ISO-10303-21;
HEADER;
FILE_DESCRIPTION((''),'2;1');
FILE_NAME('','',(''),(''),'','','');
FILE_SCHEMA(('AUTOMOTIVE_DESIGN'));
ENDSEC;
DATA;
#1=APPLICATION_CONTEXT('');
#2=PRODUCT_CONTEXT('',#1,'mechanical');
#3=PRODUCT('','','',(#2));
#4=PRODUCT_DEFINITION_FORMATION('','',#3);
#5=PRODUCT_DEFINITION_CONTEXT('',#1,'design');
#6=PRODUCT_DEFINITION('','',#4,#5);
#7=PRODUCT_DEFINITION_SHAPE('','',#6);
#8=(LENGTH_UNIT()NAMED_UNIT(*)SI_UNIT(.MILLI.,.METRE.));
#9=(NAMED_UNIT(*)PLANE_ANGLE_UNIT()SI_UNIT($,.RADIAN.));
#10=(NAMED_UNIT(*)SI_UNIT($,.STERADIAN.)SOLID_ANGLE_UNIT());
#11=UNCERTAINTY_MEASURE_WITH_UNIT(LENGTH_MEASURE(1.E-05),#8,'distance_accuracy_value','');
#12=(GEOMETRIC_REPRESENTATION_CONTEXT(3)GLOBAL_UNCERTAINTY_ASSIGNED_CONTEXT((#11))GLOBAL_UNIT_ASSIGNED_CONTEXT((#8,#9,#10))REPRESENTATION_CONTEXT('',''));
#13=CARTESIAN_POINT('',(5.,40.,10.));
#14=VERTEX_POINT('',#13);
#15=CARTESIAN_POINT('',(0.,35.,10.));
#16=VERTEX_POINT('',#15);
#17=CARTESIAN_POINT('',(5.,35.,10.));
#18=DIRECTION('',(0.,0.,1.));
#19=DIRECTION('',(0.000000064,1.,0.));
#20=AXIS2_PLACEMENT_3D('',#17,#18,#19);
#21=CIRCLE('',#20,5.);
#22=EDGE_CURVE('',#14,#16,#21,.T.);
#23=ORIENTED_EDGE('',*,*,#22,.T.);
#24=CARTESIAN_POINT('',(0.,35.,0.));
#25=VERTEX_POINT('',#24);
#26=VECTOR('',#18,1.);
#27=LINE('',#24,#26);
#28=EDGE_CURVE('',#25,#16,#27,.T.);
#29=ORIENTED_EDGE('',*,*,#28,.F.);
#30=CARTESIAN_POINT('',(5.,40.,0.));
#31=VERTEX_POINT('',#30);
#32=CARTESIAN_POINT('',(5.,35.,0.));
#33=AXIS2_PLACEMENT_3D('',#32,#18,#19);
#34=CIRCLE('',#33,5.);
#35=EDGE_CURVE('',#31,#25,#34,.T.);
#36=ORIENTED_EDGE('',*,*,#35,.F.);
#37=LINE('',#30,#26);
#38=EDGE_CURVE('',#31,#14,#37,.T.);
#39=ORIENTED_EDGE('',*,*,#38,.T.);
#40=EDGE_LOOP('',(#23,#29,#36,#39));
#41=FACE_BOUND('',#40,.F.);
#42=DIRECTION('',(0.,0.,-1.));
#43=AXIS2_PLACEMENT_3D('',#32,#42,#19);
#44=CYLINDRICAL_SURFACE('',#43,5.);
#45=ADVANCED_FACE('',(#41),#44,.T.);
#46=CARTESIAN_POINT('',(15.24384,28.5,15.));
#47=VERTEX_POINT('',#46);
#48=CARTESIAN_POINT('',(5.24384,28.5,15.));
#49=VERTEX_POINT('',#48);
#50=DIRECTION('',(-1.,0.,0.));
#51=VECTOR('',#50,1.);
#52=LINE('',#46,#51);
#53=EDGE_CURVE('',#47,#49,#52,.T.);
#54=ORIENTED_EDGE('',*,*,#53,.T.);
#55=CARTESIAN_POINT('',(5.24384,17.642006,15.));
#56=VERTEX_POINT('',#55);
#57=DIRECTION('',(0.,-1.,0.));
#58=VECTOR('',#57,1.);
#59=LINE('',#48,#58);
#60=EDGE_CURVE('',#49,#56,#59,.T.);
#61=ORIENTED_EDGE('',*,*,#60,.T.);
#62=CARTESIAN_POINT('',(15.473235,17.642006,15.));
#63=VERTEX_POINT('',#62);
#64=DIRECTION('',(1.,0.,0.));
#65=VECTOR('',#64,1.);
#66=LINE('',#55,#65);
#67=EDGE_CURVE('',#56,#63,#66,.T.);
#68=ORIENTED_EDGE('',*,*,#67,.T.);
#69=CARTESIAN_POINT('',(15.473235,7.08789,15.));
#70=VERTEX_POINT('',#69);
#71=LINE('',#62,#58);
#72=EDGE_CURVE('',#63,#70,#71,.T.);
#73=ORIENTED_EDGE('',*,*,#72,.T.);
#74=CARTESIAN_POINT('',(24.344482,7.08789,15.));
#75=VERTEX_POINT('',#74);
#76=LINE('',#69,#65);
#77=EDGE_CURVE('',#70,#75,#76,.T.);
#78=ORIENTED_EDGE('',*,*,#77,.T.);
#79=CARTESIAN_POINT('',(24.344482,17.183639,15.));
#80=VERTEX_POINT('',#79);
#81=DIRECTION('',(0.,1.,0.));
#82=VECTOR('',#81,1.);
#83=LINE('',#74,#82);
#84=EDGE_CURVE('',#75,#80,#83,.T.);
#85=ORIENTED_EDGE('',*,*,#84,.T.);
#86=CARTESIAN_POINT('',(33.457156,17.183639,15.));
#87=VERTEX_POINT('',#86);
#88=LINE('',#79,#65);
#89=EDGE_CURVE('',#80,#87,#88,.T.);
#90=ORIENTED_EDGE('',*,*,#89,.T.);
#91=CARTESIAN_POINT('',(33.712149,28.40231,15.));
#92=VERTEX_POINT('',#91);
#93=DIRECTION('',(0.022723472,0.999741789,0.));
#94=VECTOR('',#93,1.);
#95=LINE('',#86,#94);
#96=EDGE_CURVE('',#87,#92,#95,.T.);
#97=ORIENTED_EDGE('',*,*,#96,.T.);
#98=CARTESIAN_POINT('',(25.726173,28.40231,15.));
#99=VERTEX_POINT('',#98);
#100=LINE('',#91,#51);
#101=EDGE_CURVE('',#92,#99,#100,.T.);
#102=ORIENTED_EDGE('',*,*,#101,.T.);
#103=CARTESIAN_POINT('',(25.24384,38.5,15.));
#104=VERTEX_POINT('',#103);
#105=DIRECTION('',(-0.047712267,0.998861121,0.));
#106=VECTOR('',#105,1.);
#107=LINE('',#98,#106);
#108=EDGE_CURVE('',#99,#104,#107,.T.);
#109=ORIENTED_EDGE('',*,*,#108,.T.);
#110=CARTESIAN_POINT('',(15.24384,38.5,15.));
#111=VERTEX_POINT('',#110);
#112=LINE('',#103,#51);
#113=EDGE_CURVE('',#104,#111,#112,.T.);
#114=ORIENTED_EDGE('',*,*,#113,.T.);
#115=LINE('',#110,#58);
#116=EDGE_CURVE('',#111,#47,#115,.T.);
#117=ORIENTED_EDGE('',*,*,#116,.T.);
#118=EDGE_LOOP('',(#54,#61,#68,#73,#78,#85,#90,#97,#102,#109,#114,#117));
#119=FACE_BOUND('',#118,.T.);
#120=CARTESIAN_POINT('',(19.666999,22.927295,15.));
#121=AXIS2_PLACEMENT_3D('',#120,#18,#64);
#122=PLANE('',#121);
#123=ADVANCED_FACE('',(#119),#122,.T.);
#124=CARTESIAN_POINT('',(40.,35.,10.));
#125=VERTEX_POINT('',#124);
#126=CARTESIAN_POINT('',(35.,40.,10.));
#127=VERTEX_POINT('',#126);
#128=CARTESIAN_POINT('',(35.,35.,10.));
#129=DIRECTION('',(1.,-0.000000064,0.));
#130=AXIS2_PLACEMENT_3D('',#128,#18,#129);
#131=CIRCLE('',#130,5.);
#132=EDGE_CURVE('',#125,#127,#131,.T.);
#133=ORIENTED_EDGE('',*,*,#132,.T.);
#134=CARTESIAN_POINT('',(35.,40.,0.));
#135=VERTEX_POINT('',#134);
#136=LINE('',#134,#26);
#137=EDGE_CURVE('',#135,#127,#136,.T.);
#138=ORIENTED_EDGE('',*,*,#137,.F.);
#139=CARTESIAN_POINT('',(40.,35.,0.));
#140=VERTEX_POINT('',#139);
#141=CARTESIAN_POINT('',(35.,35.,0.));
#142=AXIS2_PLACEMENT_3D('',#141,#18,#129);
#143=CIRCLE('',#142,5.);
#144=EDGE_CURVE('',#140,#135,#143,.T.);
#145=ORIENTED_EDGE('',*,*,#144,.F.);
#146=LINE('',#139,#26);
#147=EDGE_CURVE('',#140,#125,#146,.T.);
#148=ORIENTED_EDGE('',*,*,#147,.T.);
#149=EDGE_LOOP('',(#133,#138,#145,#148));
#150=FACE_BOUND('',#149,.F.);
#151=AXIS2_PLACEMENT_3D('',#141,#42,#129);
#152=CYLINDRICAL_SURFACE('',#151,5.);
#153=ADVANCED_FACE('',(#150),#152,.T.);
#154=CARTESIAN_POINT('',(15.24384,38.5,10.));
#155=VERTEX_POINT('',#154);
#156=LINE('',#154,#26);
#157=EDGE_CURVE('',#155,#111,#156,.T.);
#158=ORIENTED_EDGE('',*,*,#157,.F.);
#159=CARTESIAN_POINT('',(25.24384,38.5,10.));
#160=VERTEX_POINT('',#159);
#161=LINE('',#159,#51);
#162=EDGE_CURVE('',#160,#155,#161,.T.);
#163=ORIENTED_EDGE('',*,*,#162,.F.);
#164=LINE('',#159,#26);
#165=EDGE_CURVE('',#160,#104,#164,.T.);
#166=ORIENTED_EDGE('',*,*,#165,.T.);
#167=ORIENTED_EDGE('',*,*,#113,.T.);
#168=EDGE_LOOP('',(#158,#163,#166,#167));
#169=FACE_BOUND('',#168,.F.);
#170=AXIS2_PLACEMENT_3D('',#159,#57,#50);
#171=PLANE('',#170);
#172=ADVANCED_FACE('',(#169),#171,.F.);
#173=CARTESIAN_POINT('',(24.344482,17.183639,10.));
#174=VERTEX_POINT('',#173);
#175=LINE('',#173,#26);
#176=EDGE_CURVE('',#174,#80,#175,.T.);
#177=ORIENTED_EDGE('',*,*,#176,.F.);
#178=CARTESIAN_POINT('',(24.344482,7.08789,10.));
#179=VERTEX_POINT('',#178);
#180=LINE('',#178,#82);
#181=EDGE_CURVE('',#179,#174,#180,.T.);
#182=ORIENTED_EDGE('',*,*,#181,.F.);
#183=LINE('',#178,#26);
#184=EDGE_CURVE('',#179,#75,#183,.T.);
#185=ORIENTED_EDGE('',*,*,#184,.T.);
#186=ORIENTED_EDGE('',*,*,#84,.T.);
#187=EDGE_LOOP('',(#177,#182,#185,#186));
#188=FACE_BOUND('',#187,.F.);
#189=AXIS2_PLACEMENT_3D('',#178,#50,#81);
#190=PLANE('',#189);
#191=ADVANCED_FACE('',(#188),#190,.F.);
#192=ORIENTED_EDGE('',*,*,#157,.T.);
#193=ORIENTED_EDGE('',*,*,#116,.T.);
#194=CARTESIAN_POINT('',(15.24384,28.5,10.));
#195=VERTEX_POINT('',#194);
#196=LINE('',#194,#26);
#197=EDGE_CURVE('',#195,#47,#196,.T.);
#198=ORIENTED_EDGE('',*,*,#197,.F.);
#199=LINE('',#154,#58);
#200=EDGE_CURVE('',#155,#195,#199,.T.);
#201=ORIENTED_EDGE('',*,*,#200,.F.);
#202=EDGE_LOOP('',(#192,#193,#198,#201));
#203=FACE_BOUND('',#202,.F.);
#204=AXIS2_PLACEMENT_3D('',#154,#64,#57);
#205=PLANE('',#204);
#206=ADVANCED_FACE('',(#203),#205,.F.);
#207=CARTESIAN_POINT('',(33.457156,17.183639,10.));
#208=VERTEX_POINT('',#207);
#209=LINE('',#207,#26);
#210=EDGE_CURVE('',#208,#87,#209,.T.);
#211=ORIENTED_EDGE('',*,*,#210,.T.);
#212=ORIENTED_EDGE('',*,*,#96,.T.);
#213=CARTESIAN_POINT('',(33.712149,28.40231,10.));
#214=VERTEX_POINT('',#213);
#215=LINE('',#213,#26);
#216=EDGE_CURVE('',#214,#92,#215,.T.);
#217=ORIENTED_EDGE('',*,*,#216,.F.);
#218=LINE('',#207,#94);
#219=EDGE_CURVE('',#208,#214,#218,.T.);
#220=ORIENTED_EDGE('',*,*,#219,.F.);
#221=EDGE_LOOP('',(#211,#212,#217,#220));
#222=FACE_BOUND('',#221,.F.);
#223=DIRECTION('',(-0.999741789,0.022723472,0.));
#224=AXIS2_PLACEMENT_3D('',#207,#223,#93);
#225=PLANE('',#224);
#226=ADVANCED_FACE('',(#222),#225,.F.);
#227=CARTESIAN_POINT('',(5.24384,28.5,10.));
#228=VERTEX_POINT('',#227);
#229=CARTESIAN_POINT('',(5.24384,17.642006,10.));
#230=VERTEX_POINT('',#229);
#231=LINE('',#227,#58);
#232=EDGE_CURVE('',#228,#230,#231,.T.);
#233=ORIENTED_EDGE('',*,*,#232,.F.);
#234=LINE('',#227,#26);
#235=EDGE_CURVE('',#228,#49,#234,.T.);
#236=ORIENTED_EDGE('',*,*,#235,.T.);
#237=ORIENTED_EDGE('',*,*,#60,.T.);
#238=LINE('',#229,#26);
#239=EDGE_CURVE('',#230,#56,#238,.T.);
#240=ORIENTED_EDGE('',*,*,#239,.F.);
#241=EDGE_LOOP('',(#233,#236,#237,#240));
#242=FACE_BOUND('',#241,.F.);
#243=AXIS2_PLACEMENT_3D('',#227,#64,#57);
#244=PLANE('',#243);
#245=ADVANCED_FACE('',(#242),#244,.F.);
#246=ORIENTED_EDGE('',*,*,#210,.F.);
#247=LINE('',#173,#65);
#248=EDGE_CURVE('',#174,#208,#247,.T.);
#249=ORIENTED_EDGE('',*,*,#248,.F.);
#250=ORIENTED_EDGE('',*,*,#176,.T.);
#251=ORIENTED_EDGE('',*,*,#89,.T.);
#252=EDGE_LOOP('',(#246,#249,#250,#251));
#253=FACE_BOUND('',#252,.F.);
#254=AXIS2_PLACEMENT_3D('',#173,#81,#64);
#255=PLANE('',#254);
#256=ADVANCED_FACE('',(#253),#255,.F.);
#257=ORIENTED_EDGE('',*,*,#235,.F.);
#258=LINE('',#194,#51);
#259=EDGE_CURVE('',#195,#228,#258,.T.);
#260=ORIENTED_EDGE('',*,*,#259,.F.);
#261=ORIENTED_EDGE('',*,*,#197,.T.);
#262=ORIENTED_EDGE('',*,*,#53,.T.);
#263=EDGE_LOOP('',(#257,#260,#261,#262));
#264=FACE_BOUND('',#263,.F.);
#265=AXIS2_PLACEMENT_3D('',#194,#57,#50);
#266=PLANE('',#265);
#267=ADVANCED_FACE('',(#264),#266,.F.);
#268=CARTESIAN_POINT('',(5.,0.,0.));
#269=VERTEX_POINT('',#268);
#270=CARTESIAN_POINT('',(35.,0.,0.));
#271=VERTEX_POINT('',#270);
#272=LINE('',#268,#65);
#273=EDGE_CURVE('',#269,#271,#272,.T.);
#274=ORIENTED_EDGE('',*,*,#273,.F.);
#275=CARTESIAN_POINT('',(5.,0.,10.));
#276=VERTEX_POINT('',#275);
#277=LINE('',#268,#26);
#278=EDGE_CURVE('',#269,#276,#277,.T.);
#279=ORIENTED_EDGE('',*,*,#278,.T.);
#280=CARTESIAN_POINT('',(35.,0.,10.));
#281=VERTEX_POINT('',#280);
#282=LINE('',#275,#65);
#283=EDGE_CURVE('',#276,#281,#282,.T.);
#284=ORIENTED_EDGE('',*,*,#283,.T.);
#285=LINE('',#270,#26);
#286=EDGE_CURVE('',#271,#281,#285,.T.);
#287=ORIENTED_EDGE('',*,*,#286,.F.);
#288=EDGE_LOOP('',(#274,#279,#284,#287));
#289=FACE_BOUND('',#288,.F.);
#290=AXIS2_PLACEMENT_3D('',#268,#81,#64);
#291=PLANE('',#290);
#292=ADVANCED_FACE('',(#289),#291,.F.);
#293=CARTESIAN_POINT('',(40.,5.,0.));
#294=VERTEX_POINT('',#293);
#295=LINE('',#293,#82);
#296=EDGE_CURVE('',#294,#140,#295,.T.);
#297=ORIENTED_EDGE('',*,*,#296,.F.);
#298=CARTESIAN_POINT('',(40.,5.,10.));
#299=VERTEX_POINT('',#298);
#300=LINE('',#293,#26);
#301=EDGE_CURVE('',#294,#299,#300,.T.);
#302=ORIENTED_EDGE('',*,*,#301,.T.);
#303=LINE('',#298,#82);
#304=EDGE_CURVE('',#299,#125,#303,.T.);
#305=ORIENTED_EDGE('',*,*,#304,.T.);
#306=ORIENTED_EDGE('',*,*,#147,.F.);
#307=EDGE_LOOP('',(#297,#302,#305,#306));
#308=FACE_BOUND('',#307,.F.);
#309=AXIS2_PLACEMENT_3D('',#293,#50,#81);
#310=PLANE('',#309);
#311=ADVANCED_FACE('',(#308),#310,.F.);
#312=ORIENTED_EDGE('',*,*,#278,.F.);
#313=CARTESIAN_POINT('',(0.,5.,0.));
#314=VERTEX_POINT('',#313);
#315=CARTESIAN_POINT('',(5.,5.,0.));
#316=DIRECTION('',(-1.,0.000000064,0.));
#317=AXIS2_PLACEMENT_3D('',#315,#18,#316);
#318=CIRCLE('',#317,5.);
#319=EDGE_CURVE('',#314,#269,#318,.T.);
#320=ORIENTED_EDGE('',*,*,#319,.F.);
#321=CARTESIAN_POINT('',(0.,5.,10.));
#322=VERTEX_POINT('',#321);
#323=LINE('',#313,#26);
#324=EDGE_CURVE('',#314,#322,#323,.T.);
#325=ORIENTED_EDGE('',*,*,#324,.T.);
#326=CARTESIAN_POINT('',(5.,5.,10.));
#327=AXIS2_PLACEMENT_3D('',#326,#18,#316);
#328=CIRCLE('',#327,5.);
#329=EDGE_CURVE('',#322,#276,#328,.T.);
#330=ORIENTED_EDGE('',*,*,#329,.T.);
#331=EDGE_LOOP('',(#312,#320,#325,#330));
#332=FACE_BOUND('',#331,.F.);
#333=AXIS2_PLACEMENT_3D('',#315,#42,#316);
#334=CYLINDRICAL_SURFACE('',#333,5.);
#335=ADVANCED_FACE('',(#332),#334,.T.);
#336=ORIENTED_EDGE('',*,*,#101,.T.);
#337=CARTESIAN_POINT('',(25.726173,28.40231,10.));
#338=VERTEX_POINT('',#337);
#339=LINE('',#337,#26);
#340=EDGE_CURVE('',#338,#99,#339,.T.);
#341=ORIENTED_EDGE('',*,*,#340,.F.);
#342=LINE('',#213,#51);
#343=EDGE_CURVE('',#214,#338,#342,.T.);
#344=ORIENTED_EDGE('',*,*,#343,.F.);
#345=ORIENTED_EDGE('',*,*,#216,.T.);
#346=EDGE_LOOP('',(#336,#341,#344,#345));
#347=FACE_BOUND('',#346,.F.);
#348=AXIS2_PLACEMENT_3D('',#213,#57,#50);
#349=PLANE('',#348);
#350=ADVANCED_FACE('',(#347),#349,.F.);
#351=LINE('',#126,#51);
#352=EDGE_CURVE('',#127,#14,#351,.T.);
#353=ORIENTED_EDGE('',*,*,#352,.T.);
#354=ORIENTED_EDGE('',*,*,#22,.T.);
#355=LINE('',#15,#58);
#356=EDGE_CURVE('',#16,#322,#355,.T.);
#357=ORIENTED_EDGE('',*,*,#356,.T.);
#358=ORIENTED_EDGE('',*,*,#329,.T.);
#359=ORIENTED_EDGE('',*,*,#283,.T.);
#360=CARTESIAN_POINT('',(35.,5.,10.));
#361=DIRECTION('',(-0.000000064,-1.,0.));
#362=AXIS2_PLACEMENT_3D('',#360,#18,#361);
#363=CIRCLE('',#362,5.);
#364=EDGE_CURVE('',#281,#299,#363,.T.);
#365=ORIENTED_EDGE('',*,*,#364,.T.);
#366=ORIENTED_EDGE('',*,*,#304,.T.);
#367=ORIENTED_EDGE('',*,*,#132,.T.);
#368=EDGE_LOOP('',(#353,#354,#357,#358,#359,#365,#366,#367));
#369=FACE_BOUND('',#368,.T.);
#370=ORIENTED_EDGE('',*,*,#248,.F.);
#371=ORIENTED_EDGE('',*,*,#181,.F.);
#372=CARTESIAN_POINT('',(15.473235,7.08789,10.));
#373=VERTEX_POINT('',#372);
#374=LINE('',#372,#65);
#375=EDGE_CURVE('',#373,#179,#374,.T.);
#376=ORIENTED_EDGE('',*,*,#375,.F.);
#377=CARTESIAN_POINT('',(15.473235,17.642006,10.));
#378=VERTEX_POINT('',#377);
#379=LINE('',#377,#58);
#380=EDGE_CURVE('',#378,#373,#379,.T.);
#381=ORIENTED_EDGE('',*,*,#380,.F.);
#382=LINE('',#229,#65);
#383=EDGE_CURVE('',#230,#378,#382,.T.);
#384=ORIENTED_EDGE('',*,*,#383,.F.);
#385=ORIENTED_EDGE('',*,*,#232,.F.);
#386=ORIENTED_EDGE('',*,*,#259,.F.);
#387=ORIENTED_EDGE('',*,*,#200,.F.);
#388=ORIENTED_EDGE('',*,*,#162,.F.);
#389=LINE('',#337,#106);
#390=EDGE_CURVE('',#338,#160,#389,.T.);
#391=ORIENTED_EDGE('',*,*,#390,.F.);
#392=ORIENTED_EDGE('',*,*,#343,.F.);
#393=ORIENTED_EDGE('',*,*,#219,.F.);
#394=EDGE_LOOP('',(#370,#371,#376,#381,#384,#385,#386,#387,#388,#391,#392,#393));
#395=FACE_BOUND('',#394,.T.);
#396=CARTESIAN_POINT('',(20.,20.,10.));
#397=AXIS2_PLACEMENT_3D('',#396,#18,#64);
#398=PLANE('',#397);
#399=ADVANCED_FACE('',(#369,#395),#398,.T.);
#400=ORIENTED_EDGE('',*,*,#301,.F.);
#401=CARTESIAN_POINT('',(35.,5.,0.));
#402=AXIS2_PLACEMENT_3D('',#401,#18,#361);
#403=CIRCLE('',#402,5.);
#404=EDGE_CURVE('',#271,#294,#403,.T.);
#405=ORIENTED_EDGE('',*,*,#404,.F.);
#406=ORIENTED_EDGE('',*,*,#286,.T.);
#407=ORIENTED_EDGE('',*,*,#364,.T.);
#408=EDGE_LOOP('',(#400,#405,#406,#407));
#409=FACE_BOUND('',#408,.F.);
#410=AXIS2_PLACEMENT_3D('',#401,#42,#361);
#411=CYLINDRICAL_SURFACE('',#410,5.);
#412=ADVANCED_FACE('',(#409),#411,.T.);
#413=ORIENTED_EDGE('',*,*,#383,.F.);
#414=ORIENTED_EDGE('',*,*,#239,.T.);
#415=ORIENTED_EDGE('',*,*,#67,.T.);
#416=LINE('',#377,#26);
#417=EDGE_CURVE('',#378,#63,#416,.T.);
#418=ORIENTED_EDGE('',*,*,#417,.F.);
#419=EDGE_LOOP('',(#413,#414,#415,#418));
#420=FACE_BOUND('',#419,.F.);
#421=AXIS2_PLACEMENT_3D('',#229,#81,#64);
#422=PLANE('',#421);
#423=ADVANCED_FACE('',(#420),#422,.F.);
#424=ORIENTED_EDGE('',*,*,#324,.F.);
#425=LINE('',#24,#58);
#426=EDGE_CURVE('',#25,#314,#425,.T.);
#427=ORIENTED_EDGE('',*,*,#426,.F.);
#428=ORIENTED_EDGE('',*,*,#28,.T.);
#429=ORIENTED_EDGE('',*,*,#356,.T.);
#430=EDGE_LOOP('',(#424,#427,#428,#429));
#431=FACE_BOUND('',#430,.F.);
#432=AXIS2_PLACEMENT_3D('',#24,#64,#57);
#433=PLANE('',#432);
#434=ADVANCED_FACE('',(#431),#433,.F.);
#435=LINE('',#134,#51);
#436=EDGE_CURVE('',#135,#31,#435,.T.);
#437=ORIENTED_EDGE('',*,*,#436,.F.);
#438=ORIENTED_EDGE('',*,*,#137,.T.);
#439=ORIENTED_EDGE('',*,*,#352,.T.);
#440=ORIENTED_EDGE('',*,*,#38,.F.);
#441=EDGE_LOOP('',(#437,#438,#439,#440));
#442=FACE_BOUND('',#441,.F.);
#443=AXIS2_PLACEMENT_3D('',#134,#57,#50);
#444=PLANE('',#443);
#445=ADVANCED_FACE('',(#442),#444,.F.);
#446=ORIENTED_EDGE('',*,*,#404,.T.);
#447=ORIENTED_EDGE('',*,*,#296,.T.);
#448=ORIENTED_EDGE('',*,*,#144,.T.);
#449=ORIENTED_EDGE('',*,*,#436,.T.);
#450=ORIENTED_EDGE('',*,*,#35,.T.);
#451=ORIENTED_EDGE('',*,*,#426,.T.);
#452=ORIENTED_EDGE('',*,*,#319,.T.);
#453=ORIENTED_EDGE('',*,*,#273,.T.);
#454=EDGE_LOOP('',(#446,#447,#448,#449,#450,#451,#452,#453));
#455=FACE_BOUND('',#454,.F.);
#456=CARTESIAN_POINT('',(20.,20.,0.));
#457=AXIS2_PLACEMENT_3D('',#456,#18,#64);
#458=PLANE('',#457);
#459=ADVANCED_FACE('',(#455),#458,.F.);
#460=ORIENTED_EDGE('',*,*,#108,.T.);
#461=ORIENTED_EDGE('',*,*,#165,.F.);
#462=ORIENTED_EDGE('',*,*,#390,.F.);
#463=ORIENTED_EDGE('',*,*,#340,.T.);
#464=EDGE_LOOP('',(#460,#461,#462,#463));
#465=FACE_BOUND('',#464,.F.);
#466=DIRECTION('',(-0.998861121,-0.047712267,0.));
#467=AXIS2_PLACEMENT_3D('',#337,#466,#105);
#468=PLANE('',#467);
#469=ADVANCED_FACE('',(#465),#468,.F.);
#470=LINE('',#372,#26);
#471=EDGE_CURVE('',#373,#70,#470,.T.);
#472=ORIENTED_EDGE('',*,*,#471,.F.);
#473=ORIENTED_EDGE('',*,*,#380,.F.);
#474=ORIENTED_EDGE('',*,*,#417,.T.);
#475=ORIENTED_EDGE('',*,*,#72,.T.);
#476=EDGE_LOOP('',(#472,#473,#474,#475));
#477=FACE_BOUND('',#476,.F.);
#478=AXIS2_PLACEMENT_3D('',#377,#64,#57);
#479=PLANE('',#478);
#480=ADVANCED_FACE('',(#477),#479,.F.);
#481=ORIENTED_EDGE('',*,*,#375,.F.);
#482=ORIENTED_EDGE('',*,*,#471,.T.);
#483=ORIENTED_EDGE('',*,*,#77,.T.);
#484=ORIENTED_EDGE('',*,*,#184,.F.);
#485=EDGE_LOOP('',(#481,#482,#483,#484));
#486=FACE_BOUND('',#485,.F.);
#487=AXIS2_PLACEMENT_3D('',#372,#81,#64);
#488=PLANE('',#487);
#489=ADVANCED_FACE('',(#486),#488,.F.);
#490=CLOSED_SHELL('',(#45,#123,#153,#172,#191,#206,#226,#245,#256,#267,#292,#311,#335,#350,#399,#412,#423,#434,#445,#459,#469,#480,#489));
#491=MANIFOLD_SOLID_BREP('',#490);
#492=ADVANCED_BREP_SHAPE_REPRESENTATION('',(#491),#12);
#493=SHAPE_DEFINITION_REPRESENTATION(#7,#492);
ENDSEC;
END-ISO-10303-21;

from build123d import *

# Parameters (mm, degrees)
F1_DEPTH = 10
F3_DEPTH = 5


with BuildPart() as f1:
    # F0 (on Top) → F1 (new body)
    with BuildSketch(Plane.XY):
        with BuildLine():
            ThreePointArc((0, 5), (1.464466, 1.464466), (5, 0))
            Line((5, 0), (35, 0))
            ThreePointArc((35, 0), (38.535534, 1.464466), (40, 5))
            Line((40, 5), (40, 35))
            ThreePointArc((40, 35), (38.535534, 38.535534), (35, 40))
            Line((35, 40), (5, 40))
            ThreePointArc((5, 40), (1.464466, 38.535534), (0, 35))
            Line((0, 35), (0, 5))
        make_face()
    extrude(amount=F1_DEPTH)

    # F2 (on face) → F3 (join)
    with BuildSketch(Plane.XY.offset(10)):
        Polygon((25.726173, 28.40231), (25.24384, 38.5), (15.24384, 38.5), (15.24384, 28.5), (5.24384, 28.5), (5.24384, 17.642006), (15.473235, 17.642006), (15.473235, 7.08789), (24.344482, 7.08789), (24.344482, 17.183639), (33.457156, 17.183639), (33.712149, 28.40231), align=None)
    extrude(amount=F3_DEPTH)


solid = f1.part
